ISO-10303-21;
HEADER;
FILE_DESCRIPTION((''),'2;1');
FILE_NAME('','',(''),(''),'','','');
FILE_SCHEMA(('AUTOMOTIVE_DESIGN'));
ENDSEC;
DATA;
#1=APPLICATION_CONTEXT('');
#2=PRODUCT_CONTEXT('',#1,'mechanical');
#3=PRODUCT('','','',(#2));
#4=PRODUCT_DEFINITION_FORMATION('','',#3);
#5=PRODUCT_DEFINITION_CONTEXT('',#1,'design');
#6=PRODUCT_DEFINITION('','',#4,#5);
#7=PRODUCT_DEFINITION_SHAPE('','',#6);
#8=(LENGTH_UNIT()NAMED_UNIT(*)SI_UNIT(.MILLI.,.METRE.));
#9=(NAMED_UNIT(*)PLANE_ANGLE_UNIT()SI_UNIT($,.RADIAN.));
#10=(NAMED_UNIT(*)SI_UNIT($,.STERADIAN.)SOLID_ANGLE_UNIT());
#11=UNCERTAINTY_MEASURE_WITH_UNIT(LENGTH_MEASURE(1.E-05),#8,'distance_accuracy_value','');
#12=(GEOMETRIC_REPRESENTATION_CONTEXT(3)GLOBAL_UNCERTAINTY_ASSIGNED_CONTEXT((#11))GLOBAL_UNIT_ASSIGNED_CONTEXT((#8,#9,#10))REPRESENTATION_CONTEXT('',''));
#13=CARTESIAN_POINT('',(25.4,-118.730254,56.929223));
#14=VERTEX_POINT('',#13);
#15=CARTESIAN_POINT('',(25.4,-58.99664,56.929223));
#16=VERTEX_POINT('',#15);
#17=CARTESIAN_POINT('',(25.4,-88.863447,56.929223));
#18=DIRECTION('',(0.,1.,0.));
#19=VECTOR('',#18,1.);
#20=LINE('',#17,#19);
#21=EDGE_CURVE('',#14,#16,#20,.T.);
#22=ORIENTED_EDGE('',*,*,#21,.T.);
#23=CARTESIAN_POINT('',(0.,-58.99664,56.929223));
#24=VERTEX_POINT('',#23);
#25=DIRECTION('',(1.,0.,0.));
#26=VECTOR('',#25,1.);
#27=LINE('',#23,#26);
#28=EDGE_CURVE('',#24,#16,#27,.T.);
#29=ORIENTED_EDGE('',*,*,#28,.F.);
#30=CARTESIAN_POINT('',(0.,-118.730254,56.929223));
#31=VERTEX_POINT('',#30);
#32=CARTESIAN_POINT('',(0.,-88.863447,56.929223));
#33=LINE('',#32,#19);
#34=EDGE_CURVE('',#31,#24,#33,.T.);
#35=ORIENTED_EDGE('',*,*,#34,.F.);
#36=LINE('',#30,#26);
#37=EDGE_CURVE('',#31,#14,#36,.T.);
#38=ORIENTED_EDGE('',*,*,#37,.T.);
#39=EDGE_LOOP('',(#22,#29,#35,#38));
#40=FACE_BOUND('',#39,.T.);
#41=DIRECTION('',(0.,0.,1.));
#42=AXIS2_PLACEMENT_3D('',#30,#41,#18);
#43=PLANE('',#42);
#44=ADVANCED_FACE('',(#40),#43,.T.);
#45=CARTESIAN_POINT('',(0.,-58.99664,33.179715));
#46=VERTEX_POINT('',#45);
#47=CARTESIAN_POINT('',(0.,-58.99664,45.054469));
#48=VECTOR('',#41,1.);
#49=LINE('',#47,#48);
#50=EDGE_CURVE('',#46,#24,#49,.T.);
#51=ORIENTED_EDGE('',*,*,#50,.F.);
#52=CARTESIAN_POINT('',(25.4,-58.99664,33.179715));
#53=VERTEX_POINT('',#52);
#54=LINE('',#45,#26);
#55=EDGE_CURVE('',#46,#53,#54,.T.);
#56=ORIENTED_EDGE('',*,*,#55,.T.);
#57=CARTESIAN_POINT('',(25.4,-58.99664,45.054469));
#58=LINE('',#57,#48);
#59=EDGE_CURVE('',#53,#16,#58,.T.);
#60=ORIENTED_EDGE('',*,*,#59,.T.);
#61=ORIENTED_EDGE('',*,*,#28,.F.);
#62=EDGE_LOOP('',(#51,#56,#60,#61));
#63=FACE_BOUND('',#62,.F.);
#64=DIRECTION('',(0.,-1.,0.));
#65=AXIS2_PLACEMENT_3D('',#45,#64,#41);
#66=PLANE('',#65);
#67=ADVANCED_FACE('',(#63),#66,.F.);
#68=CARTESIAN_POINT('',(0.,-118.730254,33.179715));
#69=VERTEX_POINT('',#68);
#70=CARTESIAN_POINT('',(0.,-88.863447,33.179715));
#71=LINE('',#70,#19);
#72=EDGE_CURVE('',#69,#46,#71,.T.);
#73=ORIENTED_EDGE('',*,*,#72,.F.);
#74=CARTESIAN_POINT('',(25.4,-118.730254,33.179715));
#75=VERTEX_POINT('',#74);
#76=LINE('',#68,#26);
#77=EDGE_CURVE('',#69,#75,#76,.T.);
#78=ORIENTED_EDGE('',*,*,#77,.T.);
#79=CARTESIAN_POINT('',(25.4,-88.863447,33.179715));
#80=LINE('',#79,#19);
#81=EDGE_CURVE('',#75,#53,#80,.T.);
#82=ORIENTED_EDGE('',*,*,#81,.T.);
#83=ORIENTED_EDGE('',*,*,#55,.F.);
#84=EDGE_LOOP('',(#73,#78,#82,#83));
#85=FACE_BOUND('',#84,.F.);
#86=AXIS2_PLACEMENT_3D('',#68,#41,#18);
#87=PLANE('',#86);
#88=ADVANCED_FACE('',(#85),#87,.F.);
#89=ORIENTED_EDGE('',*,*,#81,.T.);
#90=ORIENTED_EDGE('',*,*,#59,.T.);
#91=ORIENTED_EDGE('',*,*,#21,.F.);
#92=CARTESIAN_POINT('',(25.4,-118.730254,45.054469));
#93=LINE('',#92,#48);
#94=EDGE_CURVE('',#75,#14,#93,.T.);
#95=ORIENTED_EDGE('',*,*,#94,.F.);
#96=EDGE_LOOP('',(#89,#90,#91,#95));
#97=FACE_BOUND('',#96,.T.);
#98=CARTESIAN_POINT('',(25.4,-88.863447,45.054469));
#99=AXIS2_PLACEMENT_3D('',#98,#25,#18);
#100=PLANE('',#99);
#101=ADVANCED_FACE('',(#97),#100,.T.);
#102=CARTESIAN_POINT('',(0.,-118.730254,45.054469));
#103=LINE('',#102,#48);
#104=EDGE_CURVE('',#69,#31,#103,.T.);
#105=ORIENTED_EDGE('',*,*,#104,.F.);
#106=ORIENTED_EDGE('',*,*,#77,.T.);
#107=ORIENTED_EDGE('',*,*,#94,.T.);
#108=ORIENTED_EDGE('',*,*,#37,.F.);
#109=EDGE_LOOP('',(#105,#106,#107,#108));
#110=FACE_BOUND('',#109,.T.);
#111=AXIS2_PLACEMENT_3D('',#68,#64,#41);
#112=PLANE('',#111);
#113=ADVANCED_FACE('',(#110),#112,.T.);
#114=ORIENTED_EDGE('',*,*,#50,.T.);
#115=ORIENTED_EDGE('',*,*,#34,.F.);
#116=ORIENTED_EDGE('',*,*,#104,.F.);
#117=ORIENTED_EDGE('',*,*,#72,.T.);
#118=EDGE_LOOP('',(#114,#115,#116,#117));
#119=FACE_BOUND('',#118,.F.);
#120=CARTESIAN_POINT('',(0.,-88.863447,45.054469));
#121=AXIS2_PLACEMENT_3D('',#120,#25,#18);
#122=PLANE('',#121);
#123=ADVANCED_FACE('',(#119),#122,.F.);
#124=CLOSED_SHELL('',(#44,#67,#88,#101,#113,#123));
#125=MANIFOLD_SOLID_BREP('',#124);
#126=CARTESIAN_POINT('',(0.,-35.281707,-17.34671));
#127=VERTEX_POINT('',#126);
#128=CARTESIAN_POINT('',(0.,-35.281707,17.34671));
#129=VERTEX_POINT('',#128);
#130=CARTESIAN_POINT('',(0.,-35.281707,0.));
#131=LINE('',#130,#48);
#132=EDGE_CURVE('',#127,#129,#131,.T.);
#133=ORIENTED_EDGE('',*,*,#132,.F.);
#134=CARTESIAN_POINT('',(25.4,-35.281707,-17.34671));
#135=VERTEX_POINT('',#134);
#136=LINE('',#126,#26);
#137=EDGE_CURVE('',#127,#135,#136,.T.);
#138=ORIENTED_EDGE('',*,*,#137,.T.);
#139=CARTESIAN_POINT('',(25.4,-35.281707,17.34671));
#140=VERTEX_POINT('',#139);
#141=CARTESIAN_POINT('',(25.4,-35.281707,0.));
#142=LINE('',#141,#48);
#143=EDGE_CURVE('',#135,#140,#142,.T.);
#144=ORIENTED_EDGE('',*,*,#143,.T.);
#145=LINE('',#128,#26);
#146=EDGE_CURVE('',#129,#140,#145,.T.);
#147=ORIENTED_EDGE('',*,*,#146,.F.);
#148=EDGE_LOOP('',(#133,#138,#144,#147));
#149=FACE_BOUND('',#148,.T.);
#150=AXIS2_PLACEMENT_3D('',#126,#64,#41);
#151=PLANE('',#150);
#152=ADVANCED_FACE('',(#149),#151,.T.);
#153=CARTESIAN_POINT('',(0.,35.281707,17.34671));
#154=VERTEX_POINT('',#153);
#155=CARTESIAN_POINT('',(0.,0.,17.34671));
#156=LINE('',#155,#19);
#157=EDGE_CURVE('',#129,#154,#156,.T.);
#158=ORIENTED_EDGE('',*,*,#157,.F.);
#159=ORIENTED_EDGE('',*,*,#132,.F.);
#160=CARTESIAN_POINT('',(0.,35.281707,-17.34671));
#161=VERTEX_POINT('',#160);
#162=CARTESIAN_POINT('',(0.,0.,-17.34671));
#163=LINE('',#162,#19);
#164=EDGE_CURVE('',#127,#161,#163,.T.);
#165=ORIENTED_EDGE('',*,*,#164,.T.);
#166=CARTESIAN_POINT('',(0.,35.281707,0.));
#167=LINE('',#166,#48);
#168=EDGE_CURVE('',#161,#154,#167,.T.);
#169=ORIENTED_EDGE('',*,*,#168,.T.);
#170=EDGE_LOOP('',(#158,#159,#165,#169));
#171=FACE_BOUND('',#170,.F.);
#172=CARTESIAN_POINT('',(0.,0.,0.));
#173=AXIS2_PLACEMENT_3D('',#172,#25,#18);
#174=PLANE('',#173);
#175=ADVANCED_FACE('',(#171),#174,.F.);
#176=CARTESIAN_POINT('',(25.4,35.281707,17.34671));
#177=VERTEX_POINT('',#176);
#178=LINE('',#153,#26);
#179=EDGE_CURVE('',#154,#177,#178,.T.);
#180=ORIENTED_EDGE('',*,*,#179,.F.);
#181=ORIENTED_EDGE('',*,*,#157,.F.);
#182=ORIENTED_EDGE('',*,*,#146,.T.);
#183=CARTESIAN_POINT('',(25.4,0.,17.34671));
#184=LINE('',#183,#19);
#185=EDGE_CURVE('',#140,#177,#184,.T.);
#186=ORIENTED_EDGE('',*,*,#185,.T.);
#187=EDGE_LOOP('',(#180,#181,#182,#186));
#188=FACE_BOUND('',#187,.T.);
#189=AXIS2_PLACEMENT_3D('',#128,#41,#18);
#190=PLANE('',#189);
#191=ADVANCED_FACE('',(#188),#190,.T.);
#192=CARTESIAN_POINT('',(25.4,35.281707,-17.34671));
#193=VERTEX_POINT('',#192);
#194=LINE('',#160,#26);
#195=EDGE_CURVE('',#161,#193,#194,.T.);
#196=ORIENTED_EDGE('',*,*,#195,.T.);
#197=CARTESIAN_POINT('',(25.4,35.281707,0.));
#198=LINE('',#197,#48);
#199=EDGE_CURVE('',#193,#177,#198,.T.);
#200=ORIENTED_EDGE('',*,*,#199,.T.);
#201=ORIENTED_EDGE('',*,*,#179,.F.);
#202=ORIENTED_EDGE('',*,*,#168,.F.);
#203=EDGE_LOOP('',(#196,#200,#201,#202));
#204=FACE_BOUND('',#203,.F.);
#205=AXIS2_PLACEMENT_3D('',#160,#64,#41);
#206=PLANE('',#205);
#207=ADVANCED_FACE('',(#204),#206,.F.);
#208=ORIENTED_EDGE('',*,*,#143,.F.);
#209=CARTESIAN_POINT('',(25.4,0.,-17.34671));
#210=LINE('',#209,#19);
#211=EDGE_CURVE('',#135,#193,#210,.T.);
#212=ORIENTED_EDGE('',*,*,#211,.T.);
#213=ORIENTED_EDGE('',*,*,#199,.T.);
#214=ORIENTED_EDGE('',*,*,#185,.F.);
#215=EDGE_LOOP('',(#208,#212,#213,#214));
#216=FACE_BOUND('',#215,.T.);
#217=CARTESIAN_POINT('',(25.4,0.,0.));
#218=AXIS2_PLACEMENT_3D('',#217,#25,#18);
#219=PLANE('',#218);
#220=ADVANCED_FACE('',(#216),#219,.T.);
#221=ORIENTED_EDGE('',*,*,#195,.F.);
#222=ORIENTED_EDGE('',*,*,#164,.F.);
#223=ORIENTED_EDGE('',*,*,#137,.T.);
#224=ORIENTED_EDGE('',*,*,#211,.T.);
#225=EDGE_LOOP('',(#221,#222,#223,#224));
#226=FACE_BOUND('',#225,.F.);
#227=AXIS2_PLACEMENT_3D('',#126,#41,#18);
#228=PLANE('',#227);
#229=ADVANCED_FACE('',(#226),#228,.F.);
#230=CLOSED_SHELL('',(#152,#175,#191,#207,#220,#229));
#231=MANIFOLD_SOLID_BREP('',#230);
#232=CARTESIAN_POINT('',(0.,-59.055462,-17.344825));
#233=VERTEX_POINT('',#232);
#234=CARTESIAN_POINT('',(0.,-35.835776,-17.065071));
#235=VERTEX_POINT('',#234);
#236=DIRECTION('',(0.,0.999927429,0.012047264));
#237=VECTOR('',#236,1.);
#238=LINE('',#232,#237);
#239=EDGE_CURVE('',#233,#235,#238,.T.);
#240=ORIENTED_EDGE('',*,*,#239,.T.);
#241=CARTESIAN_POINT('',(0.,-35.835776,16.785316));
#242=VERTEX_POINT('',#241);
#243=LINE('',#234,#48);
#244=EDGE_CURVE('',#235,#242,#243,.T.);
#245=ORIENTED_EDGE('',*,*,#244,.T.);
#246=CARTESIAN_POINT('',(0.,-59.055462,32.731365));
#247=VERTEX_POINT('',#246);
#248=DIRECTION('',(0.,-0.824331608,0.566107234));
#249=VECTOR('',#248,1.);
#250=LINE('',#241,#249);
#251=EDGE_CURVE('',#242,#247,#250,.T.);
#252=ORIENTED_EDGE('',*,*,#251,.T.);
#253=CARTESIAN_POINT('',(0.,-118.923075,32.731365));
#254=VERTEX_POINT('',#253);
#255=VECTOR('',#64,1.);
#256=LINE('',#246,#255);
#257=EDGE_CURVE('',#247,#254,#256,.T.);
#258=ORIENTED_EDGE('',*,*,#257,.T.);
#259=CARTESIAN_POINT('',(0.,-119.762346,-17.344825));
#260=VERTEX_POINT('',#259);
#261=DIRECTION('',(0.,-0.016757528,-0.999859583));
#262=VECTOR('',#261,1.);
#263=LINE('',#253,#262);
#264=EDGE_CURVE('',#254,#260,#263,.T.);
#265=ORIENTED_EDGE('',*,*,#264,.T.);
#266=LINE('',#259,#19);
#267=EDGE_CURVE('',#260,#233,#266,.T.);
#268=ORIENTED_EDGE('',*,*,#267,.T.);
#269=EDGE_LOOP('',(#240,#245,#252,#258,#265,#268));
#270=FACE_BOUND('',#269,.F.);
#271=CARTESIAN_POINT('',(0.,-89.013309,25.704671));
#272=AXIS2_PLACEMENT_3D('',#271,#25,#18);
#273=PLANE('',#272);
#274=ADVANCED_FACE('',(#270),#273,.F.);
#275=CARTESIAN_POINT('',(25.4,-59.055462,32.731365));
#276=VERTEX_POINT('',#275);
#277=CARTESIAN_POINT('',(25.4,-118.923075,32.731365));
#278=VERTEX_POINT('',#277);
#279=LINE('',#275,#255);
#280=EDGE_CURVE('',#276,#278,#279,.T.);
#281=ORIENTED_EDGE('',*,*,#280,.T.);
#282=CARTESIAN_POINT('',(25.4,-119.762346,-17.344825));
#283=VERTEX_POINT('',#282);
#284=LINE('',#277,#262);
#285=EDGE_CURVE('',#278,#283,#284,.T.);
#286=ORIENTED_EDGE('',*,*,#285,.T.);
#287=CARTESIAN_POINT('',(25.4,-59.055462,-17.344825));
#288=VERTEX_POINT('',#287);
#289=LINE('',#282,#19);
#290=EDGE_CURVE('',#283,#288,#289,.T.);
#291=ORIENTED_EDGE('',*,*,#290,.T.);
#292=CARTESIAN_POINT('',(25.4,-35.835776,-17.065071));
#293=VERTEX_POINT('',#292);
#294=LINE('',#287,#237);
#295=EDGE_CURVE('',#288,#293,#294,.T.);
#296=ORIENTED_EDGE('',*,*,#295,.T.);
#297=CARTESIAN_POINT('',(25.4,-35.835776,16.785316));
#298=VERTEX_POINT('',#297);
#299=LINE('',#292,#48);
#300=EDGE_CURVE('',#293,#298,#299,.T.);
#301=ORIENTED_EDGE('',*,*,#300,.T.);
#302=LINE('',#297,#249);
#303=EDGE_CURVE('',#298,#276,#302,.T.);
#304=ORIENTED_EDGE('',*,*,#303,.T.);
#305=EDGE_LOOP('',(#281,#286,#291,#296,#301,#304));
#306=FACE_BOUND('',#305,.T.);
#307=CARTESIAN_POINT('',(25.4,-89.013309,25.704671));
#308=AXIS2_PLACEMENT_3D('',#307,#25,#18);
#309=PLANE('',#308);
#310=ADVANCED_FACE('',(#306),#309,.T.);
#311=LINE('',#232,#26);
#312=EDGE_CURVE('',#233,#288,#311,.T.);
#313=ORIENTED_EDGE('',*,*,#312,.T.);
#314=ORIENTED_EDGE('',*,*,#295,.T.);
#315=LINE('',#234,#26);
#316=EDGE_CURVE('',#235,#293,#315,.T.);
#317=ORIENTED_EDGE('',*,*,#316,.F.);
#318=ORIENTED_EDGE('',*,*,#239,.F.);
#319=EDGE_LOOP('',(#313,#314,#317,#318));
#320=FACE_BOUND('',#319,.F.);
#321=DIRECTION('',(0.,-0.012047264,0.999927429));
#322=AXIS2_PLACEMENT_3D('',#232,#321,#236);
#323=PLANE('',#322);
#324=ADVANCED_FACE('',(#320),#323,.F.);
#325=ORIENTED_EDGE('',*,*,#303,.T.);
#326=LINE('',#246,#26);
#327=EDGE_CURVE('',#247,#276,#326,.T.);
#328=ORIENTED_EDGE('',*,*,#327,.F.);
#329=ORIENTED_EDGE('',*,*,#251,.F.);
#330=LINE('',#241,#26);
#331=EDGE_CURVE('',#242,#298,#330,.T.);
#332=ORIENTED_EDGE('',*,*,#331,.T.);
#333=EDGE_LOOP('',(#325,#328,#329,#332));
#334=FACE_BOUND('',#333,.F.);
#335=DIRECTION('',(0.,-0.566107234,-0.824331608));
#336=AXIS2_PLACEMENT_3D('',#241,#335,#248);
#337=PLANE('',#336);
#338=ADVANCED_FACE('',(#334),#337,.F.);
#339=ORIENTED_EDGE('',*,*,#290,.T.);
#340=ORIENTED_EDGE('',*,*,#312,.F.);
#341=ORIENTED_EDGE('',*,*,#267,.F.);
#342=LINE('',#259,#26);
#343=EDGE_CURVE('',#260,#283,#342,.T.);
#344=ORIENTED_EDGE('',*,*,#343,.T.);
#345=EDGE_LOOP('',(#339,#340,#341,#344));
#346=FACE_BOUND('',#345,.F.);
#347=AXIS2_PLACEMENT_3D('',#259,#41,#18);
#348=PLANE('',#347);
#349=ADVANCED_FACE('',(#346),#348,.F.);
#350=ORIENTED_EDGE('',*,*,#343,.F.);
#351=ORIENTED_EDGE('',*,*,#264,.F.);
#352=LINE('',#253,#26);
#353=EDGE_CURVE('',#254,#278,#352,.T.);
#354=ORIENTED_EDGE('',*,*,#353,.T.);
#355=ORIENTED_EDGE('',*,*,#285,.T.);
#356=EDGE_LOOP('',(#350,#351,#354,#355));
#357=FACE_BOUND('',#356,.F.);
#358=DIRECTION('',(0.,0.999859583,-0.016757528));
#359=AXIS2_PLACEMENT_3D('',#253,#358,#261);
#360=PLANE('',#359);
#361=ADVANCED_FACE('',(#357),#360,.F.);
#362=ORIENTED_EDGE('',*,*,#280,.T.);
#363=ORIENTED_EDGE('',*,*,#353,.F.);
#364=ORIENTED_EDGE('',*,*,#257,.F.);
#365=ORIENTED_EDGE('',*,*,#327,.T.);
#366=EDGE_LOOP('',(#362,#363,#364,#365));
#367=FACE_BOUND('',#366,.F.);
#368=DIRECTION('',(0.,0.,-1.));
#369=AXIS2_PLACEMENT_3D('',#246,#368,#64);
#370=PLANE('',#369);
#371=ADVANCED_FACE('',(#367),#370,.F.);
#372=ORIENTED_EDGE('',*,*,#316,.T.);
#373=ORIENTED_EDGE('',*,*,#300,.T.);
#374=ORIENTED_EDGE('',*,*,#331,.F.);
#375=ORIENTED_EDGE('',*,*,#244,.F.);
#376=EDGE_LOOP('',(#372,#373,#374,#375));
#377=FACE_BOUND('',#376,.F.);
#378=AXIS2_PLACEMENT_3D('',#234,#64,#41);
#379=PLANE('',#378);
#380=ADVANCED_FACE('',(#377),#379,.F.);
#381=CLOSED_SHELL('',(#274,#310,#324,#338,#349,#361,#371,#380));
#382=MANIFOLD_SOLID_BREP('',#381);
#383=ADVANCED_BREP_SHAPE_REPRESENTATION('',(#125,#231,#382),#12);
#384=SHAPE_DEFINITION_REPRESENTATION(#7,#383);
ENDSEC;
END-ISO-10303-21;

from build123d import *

# Parameters (mm, degrees)
F1_W     = 59.733614
F1_H     = 23.749508
F0_W     = 70.563414
F0_H     = 34.69342
F2_DEPTH = 25.4


with BuildPart() as f2:
    # F1 (on face) + F0 (on Right) → F2 (new body)
    with BuildSketch(Plane.YZ):
        with Locations((-88.863447, 45.054469)):
            Rectangle(F1_W, F1_H)
        Polygon((-89.197626, 7.86755), (-59.055462, 32.731365), (-118.923075, 32.731365), align=None)
        Polygon((-119.762346, -17.344825), (-89.197626, 7.86755), (-118.923075, 32.731365), align=None)
        Polygon((-119.762346, -17.344825), (-59.055462, -17.344825), (-89.197626, 7.86755), align=None)
        Polygon((-59.055462, -17.344825), (-59.055462, 32.731365), (-89.197626, 7.86755), align=None)
        Polygon((-35.835776, 16.785316), (-59.055462, 32.731365), (-59.055462, -17.344825), align=None)
        Polygon((-35.835776, 16.785316), (-59.055462, -17.344825), (-35.835776, -17.065071), align=None)
    with BuildSketch(Plane.YZ):
        Rectangle(F0_W, F0_H)
    extrude(amount=F2_DEPTH)


solid = f2.part
